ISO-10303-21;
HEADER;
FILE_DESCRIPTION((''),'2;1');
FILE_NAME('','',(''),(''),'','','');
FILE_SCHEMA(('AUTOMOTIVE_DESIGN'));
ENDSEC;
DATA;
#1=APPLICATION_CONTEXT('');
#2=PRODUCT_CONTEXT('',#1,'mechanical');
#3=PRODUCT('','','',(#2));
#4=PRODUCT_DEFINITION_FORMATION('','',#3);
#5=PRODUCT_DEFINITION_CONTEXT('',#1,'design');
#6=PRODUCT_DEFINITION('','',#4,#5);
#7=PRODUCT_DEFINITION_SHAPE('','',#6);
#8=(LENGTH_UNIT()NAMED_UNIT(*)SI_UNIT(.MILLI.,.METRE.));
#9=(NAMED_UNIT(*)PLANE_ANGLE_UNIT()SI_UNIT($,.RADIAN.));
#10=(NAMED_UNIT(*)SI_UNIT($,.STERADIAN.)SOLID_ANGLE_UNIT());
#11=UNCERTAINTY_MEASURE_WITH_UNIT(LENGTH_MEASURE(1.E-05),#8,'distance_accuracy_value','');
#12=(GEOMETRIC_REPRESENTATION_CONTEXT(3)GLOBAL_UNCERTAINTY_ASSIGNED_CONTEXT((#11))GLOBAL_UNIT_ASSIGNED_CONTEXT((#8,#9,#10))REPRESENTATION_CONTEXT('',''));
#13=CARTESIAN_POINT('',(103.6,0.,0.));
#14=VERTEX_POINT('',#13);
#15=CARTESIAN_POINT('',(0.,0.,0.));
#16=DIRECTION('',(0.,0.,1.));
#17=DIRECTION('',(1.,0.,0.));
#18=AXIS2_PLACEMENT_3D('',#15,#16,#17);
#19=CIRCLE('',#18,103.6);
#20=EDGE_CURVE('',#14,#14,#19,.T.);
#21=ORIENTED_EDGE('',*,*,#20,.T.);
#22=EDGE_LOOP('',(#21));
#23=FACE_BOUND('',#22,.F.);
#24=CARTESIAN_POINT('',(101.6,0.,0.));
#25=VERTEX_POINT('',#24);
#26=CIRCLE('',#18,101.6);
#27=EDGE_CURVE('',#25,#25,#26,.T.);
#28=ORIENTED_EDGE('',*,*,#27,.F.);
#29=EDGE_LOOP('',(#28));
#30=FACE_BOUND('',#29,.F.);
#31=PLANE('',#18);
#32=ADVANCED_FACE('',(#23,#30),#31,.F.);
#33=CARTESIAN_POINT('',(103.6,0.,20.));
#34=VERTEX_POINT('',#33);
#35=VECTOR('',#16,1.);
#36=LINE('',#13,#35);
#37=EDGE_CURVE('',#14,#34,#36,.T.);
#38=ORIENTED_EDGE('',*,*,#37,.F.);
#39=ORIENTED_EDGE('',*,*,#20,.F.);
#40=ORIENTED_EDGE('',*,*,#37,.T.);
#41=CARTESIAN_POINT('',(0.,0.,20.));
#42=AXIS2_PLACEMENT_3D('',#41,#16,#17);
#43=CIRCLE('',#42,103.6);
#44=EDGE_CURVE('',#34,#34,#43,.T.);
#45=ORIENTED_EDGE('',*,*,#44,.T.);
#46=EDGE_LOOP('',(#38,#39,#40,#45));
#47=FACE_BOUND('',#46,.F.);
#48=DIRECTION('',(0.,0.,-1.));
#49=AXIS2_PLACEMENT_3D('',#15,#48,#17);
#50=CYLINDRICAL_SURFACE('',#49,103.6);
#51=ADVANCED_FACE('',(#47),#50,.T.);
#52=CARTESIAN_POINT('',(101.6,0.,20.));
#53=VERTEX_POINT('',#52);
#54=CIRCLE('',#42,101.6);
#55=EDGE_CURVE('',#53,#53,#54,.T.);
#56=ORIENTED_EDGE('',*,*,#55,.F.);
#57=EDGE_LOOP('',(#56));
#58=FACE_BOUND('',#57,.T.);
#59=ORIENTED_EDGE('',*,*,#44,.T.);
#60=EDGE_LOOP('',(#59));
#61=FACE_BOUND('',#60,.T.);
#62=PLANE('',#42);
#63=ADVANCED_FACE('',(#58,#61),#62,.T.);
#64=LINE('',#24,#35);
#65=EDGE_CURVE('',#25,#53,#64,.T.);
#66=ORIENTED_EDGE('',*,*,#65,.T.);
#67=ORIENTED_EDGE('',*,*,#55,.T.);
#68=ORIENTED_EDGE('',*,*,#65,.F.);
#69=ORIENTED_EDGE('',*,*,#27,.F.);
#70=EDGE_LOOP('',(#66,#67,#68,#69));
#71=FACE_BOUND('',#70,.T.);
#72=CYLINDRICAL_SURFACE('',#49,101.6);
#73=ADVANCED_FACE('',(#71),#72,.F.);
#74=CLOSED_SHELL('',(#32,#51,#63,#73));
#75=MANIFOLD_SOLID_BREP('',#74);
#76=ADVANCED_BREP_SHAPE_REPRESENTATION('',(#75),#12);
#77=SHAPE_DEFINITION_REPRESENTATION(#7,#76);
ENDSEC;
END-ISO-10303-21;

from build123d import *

# Parameters (mm, degrees)
CYLINDER001_R     = 101.6
CYLINDER001_DEPTH = 20
CYLINDER_R        = 103.6
CYLINDER_DEPTH    = 20


with BuildPart() as cylinder001:
    # Cylinder001 → Cylinder001 (new body)
    with BuildSketch(Plane.XY):
        Circle(CYLINDER001_R)
    extrude(amount=CYLINDER001_DEPTH)


with BuildPart() as cut:
    # Cylinder → Cylinder (new body)
    with BuildSketch(Plane.XY):
        Circle(CYLINDER_R)
    extrude(amount=CYLINDER_DEPTH)

    # Cut: cut Cylinder001
    add(cylinder001.part, mode=Mode.SUBTRACT)


solid = cut.part
